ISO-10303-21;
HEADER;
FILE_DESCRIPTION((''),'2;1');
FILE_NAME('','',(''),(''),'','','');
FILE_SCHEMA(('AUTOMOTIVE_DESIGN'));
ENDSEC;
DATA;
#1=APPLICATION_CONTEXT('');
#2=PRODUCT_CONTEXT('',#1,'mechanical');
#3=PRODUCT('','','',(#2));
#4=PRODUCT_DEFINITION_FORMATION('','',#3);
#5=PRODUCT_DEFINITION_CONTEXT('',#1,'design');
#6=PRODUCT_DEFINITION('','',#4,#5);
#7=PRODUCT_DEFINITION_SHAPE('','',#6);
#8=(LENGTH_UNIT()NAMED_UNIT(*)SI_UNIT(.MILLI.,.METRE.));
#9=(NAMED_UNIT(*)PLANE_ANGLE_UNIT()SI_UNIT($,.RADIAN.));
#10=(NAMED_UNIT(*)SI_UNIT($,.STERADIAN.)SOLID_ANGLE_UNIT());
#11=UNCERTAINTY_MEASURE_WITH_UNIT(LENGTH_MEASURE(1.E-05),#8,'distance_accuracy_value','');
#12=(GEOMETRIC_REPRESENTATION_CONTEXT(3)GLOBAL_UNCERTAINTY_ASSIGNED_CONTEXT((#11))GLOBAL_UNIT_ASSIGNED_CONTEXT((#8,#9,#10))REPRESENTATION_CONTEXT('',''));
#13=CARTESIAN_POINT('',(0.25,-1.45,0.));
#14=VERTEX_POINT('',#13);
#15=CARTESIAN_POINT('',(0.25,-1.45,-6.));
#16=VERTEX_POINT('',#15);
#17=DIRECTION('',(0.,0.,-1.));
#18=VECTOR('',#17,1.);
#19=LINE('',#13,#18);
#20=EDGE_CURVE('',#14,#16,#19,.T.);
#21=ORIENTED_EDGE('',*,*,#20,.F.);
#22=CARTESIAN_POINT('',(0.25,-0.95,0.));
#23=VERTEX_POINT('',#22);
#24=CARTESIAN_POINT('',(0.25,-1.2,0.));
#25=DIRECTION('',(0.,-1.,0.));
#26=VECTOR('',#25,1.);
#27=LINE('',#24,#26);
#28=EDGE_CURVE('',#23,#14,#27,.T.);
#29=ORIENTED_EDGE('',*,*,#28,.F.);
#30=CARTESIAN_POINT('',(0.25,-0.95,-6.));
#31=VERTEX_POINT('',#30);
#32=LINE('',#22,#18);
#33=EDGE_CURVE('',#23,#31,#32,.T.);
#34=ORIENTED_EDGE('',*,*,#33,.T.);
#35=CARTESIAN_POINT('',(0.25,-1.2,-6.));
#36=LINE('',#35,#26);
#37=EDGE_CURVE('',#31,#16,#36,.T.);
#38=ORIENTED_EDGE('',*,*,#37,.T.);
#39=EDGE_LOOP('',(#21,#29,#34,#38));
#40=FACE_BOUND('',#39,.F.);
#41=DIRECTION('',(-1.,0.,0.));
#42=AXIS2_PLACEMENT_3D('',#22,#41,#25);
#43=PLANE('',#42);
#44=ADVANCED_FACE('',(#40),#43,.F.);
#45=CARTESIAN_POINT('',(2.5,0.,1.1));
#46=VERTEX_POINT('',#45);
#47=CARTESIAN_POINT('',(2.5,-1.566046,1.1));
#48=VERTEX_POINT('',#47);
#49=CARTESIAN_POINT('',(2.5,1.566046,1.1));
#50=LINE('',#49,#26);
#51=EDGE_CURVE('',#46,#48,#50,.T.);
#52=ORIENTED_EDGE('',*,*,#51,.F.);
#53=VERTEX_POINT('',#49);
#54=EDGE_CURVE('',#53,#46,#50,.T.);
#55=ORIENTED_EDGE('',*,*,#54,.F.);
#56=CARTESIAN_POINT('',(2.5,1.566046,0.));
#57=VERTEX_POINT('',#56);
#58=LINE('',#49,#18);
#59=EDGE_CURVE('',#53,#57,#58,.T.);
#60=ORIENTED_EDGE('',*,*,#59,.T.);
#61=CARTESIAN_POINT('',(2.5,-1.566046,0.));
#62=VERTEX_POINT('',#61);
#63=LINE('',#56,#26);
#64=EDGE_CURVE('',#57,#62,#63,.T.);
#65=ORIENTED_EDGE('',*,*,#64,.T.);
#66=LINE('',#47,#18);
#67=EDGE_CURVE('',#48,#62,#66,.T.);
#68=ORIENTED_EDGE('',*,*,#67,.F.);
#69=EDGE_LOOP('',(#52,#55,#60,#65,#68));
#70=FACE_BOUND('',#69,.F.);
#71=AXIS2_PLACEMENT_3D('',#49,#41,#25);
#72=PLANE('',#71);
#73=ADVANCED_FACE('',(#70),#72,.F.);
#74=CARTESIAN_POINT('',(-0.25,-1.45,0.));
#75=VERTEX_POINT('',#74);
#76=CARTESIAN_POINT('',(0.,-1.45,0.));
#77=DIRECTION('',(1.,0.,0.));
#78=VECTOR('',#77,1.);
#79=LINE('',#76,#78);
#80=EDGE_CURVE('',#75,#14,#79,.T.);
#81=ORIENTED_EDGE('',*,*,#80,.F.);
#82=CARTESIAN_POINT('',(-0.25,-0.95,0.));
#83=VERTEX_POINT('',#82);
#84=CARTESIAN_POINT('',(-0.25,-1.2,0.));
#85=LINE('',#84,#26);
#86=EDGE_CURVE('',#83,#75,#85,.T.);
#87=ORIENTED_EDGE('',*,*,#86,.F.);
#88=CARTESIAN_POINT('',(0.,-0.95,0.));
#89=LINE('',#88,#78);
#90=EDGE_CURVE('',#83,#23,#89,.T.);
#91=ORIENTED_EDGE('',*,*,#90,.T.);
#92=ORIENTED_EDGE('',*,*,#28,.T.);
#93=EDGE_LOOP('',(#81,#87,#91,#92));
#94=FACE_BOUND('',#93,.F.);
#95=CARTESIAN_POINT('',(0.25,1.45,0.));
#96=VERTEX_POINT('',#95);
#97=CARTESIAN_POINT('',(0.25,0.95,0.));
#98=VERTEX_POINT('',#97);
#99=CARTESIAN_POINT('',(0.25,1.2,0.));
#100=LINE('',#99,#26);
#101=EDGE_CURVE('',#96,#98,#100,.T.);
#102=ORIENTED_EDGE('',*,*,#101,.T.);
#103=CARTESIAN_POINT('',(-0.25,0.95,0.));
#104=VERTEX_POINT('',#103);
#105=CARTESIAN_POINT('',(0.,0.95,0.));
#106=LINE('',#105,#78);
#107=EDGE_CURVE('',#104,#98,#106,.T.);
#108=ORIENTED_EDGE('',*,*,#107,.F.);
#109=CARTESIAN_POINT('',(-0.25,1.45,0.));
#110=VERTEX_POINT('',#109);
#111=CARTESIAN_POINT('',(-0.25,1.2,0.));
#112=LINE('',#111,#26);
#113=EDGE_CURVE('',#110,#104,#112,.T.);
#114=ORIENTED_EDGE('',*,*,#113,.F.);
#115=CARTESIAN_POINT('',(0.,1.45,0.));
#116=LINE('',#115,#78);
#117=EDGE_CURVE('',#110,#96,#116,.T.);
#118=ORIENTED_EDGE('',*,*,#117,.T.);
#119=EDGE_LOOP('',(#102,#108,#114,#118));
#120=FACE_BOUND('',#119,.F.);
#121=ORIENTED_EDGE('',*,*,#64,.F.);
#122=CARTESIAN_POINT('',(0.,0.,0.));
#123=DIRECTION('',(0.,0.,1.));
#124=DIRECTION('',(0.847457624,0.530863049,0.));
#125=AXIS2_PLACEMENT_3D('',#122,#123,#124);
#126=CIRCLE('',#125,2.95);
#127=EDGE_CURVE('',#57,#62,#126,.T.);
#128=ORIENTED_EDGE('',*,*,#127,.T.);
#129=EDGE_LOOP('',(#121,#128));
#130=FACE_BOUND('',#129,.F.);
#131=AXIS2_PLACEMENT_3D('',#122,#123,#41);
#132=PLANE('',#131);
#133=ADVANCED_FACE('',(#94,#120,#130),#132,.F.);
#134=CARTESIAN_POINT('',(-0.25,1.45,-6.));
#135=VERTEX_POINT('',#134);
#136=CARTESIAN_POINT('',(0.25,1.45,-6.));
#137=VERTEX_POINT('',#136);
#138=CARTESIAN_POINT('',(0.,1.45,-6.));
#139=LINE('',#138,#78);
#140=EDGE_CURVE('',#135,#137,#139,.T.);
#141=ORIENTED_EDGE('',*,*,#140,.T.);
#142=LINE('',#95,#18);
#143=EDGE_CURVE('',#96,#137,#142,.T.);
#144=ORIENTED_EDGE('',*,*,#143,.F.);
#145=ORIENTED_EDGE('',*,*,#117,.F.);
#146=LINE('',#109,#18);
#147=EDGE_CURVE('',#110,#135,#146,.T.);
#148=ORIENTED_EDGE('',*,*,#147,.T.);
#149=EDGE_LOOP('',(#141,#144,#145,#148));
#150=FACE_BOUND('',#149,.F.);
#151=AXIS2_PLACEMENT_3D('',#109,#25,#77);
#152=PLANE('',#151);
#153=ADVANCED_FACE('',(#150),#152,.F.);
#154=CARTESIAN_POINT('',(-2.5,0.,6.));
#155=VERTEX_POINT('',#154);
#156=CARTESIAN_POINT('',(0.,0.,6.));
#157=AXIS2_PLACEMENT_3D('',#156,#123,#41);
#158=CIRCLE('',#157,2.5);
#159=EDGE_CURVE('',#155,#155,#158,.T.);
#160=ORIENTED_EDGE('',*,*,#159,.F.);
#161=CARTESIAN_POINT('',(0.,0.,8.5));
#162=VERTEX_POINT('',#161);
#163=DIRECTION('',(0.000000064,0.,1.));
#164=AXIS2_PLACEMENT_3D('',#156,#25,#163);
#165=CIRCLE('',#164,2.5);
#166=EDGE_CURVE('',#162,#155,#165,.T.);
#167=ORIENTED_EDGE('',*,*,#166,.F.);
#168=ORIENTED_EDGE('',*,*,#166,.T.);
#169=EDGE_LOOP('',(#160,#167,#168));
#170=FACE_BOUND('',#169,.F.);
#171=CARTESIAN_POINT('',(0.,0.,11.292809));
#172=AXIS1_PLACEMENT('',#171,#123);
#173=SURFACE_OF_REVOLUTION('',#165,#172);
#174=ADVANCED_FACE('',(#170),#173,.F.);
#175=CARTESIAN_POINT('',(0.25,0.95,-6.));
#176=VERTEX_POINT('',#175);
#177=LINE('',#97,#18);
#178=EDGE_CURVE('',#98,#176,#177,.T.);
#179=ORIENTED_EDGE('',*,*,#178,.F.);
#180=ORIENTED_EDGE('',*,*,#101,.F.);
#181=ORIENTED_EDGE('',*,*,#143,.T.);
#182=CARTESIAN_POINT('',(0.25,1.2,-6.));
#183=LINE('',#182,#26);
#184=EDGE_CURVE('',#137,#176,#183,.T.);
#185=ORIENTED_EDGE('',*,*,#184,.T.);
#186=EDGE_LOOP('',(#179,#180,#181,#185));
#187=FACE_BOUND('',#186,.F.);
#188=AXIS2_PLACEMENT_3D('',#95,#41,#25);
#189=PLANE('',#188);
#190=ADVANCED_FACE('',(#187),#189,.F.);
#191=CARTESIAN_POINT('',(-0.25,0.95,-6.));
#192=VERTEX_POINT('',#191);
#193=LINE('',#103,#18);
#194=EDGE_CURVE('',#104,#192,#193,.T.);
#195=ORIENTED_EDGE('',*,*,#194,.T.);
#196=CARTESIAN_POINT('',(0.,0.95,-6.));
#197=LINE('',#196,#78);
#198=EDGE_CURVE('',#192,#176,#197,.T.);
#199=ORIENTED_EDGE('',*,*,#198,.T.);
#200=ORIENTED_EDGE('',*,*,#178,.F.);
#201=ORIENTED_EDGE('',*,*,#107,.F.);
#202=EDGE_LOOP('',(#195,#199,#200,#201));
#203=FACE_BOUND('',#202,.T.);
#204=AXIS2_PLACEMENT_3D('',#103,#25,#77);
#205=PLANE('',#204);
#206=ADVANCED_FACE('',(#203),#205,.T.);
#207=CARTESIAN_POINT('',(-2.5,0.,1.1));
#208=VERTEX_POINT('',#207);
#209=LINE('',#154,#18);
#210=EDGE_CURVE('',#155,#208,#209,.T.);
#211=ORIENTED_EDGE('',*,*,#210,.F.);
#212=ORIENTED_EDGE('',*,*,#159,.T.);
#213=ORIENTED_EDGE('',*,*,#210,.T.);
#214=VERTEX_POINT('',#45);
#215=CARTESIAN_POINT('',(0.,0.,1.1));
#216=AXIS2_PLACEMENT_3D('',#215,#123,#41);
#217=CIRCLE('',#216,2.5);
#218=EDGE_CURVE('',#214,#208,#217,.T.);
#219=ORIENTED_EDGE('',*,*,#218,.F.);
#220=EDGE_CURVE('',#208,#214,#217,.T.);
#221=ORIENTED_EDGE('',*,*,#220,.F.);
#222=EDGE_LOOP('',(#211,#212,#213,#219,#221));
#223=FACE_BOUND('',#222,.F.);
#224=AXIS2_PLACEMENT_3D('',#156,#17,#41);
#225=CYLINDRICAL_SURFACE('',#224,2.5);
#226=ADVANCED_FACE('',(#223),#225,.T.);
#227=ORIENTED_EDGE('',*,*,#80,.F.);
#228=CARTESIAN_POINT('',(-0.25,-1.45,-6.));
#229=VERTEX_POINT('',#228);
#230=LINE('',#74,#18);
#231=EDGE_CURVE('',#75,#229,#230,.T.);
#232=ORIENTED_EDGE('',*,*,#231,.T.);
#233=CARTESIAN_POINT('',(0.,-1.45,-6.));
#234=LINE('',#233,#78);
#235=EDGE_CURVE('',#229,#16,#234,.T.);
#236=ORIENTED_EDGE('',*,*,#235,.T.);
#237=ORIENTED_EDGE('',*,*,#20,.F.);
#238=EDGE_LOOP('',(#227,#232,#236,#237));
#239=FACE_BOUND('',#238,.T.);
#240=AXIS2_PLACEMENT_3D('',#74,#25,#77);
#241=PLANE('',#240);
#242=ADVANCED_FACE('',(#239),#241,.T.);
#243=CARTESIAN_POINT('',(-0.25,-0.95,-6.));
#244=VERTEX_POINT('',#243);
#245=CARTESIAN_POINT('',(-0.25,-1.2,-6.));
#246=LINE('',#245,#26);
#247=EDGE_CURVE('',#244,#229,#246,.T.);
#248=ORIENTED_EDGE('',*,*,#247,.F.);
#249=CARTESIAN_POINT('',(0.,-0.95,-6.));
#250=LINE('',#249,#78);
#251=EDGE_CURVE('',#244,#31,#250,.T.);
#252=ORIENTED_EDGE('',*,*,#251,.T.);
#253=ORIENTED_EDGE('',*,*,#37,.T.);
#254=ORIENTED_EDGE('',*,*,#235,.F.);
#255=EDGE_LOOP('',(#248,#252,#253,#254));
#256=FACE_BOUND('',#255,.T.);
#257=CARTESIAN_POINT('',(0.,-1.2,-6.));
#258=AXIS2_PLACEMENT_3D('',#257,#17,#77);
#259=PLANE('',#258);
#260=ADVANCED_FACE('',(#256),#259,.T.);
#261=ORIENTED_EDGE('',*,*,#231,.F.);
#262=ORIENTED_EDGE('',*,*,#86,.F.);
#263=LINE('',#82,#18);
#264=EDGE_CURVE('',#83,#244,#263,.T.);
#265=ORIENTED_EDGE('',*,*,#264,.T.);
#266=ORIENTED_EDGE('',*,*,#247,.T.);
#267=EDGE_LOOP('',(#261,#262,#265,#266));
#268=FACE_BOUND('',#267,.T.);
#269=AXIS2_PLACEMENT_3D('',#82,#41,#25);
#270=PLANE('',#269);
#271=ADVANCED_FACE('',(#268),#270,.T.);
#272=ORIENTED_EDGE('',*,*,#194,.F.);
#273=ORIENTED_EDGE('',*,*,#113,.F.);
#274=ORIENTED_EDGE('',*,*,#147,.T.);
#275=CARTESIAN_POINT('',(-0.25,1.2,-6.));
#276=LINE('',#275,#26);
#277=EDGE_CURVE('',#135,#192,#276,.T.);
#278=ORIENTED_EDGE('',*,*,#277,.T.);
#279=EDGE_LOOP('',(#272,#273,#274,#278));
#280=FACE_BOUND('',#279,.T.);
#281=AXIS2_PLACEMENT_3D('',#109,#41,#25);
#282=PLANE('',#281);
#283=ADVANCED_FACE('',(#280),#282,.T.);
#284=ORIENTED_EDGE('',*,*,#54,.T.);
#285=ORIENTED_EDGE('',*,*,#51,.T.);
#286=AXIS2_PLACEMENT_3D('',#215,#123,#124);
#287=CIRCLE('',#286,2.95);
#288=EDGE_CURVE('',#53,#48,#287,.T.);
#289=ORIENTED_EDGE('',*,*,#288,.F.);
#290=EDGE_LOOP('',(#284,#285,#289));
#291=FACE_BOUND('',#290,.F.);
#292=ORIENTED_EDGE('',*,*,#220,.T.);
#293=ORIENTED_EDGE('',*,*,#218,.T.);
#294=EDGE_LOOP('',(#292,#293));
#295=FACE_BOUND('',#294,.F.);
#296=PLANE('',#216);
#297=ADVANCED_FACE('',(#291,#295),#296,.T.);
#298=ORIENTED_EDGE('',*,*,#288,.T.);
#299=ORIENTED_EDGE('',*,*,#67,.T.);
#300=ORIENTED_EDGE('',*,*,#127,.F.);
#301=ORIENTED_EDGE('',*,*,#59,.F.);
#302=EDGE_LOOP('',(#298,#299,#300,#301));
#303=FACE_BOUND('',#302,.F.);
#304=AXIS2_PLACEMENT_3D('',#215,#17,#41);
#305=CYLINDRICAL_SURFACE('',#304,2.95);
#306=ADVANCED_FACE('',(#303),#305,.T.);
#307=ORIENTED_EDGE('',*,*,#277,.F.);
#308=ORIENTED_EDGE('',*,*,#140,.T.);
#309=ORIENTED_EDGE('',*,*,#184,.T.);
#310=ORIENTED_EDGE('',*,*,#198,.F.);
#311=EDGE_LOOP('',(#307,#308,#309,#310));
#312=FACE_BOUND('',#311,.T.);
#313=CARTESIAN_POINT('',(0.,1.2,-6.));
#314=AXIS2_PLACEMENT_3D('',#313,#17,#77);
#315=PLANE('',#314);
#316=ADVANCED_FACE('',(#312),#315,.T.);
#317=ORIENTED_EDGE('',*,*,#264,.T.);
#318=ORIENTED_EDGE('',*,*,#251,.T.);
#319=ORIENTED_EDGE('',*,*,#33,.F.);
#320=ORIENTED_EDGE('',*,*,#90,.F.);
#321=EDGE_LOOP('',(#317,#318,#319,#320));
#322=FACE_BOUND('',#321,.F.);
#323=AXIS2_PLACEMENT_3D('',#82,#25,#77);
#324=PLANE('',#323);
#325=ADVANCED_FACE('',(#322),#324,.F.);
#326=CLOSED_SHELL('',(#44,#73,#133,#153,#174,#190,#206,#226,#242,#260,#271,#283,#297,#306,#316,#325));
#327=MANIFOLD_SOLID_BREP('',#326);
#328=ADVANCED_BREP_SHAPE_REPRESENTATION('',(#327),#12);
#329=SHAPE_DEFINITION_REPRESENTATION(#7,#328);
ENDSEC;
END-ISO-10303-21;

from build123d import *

# Parameters (mm, degrees)
F3_DEPTH = 1.1
F4_W     = 0.5
F4_H     = 0.5
F5_DEPTH = 6


with BuildPart() as f1:
    # F0 (on Front) → F1 (revolve)
    with BuildSketch(Plane.XZ):
        with BuildLine():
            Line((0, 0), (0, 8.5))
            ThreePointArc((0, 8.5), (-1.767767, 7.767767), (-2.5, 6))
            Line((-2.5, 6), (-2.5, 1.1))
            Line((-2.5, 1.1), (-2.95, 1.1))
            Line((-2.95, 1.1), (-2.95, 0))
            Line((-2.95, 0), (0, 0))
        make_face()
    revolve(axis=Axis((0, 0, 11.292809), (0, 0, 1)))

    # F2 (on face) → F3 (cut, through all)
    with BuildSketch(Plane.XY.offset(1.1)):
        with BuildLine():
            Line((2.5, 1.566046), (2.5, -1.566046))
            ThreePointArc((2.5, -1.566046), (2.95, 0), (2.5, 1.566046))
        make_face()
    extrude(amount=-F3_DEPTH, mode=Mode.SUBTRACT)

    # F4 (on face) → F5 (join)
    with BuildSketch(Plane(origin=(0, 0, 0), x_dir=(1, 0, 0), z_dir=(0, 0, -1))):
        with Locations((0, 1.2)):
            Rectangle(F4_W, F4_H)
        with Locations((0, -1.2)):
            Rectangle(F4_W, F4_H)
    extrude(amount=F5_DEPTH)


solid = f1.part
